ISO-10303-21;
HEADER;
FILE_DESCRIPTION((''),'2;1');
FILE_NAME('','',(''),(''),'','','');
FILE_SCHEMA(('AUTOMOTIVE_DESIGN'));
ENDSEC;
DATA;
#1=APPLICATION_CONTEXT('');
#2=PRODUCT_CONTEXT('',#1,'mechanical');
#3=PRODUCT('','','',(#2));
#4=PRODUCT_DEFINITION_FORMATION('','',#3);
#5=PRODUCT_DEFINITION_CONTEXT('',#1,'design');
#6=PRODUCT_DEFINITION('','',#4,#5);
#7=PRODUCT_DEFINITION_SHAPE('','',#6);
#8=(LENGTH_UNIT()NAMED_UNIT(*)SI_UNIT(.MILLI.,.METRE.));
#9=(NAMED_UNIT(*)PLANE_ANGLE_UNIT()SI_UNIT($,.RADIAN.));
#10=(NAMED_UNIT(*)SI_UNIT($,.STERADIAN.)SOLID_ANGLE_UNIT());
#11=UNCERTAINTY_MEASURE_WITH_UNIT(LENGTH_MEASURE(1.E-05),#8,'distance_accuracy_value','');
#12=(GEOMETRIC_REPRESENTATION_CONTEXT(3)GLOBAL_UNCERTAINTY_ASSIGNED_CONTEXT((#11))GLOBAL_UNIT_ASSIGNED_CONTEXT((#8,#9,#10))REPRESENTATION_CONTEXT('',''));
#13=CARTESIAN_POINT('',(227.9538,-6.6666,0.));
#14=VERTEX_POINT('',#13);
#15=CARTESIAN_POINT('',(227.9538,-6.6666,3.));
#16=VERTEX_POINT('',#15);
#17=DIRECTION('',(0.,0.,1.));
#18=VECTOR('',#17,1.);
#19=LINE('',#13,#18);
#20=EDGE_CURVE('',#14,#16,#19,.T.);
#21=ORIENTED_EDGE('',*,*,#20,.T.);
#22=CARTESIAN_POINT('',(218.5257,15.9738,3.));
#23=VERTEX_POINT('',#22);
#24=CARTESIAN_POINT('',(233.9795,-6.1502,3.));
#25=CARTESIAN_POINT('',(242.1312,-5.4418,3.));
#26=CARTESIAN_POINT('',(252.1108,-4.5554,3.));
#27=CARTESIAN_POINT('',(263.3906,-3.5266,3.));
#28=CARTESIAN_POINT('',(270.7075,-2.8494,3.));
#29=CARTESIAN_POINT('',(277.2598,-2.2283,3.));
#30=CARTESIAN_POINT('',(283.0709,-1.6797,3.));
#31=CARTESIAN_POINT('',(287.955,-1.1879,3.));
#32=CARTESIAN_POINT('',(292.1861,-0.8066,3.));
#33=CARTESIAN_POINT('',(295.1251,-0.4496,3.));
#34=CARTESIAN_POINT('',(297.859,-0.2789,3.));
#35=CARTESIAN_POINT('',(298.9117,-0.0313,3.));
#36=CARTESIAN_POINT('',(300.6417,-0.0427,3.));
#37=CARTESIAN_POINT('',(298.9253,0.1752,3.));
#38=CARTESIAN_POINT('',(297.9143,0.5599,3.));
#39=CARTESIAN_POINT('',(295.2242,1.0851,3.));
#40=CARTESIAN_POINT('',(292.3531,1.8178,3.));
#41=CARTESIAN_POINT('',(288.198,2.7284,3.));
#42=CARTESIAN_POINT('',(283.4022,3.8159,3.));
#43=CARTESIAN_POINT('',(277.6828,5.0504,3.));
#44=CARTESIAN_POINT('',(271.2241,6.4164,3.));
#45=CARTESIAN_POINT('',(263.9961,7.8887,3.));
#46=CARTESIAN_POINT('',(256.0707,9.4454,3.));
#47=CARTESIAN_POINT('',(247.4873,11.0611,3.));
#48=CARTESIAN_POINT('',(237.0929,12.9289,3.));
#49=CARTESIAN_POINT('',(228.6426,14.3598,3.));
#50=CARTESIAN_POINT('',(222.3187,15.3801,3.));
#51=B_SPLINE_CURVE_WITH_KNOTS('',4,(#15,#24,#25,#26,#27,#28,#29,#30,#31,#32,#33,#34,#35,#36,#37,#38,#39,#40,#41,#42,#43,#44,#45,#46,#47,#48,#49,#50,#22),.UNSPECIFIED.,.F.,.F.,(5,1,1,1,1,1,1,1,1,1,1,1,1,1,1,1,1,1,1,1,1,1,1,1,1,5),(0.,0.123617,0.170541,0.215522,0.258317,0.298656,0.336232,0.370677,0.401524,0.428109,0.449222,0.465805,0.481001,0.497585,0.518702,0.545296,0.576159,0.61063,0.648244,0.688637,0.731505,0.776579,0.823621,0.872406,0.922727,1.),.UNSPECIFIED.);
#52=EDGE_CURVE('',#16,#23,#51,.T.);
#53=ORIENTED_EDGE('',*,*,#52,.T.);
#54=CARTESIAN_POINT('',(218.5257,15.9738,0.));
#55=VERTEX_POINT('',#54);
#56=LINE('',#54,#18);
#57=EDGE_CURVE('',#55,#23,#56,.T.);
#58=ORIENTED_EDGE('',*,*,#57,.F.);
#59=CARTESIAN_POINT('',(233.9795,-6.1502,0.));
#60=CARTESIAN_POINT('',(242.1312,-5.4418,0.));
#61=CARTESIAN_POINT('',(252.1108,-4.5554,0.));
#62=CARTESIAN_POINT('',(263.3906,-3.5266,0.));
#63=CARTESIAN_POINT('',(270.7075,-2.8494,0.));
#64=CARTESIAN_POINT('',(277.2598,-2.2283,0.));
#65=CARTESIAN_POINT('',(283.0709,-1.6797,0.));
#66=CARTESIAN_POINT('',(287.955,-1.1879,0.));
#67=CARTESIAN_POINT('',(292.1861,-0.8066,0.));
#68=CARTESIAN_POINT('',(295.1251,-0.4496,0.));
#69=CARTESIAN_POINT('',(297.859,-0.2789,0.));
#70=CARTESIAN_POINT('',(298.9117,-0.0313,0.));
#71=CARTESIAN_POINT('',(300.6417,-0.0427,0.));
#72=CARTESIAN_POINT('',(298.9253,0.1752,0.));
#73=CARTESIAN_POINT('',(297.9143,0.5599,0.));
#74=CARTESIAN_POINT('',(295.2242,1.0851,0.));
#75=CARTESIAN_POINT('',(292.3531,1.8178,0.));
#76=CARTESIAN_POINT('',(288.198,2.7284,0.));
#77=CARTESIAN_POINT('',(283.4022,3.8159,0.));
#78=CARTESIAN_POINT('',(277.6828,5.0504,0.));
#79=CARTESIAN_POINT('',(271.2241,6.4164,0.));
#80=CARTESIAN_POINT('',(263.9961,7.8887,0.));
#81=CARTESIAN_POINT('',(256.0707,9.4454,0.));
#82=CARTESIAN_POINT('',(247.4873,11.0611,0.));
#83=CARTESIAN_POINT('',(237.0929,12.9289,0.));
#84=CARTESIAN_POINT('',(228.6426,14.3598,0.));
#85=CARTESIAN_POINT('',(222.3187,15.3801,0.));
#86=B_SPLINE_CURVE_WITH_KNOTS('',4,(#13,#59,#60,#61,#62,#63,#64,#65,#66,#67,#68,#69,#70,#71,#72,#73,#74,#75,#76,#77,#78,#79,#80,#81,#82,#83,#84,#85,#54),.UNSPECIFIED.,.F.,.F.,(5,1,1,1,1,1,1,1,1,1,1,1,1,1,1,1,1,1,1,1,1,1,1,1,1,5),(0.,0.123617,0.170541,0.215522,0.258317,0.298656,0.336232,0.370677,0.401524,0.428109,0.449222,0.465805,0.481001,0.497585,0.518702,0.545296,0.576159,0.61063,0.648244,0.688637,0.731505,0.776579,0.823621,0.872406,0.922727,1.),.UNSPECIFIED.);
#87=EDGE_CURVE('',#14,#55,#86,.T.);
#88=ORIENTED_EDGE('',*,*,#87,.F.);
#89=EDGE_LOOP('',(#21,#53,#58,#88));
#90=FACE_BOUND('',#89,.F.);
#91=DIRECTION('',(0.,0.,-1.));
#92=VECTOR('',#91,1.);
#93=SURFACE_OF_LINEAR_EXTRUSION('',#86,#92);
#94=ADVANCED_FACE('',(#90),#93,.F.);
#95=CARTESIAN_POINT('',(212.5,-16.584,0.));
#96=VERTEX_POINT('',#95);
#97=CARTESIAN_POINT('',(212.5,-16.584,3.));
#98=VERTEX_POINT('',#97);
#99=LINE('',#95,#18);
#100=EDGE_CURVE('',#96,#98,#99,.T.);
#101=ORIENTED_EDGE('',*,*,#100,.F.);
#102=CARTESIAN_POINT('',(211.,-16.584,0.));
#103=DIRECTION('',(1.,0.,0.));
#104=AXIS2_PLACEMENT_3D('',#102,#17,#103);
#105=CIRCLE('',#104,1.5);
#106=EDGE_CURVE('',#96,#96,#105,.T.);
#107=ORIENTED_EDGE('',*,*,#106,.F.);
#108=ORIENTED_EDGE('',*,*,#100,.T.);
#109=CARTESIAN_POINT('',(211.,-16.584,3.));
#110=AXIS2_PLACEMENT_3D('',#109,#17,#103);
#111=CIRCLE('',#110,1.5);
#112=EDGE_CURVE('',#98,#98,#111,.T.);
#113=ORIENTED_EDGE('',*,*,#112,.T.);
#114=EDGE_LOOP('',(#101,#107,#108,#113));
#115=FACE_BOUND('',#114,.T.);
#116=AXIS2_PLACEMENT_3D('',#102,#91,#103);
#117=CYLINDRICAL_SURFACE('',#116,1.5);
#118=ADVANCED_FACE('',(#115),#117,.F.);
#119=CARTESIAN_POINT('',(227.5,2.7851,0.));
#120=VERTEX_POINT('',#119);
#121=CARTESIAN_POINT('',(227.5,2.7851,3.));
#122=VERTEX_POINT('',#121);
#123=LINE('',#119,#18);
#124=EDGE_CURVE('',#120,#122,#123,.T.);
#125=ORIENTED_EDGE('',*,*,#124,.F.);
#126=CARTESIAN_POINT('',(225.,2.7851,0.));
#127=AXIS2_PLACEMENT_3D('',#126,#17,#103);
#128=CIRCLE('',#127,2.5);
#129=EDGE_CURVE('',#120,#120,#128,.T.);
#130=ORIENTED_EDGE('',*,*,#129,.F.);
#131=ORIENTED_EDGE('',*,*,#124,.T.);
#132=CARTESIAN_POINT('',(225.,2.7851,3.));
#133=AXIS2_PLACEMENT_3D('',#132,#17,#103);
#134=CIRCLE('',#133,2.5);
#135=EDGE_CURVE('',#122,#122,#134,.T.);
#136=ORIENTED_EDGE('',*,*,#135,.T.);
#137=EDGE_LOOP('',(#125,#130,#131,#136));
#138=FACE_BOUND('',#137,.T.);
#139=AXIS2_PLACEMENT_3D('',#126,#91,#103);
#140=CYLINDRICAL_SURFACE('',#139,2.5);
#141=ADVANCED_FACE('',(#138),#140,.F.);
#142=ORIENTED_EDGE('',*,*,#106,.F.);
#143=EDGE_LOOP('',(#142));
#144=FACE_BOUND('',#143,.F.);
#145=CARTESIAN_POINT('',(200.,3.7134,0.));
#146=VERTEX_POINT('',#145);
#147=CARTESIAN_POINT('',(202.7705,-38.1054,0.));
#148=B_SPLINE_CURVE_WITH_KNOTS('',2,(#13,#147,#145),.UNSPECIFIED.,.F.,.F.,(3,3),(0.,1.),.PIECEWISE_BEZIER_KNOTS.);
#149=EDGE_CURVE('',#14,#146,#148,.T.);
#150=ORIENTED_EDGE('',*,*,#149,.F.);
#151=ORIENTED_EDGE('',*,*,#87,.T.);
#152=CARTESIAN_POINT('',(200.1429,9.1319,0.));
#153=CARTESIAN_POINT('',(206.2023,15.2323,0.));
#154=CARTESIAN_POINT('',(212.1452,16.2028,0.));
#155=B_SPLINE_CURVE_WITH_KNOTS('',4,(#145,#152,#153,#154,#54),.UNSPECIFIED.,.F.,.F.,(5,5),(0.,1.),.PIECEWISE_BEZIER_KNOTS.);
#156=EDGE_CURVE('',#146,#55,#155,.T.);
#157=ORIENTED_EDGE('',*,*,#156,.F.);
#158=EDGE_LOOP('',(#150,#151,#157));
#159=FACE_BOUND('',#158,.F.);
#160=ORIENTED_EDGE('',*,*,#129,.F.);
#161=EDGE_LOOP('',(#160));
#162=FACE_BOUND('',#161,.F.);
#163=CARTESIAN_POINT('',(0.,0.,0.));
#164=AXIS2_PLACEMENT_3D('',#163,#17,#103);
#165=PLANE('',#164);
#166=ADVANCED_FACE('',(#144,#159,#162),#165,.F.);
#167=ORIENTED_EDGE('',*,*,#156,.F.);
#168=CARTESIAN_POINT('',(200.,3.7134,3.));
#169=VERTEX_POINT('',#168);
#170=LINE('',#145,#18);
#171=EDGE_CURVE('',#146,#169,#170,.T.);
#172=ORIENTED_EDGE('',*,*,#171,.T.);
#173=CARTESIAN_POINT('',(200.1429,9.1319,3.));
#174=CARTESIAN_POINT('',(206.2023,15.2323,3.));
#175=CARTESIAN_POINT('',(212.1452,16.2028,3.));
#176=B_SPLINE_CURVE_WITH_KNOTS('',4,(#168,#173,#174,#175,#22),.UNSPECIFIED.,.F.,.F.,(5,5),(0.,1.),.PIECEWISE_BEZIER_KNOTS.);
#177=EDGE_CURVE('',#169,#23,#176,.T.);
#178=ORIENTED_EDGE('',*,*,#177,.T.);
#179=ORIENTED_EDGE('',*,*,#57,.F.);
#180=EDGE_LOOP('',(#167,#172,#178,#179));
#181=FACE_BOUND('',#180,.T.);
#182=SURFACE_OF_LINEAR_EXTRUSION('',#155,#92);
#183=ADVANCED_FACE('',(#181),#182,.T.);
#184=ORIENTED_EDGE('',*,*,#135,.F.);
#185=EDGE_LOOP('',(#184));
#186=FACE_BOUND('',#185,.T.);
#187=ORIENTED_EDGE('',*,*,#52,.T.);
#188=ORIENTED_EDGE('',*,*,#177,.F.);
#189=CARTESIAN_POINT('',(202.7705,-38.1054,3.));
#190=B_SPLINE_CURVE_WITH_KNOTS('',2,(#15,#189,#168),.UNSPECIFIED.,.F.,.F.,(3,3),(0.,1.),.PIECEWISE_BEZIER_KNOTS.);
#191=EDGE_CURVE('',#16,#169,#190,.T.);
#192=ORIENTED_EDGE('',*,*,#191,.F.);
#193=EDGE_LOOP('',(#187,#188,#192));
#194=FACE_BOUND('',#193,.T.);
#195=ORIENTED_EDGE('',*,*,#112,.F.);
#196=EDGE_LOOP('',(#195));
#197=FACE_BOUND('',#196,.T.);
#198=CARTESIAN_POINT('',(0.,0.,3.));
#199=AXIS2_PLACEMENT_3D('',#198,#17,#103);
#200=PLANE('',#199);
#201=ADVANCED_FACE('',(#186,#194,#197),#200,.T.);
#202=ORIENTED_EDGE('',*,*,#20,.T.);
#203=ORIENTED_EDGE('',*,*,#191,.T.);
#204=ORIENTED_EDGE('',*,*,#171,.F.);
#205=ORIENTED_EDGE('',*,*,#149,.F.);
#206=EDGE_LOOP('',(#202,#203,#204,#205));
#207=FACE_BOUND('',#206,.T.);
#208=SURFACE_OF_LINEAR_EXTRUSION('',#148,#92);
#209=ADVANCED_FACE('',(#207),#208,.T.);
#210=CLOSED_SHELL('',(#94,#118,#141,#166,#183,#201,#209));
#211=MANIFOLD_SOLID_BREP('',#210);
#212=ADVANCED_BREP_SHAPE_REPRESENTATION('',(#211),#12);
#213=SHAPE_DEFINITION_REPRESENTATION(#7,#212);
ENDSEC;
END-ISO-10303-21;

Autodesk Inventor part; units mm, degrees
ref_plane "YZ Plane" through (0, 0, 0) normal (1, 0, 0) x (0, 1, 0)
ref_plane "XZ Plane" through (0, 0, 0) normal (0, 1, 0) x (-1, 0, 0)
ref_plane "XY Plane" through (0, 0, 0) normal (0, 0, 1) x (1, 0, 0)
sketch "Sketch1" plane through (0, 0, 0) normal (0, 0, 1) x (1, 0, 0)
  spline S0 degree 4 poles (227.9538, -6.6666) (233.9795, -6.1502) (242.1312, -5.4418) (252.1108, -4.5554) (263.3906, -3.5266) (270.7075, -2.8494) (277.2598, -2.2283) (283.0709, -1.6797) (287.955, -1.1879) (292.1861, -0.8066) (295.1251, -0.4496) (297.859, -0.2789) (298.9117, -0.0313) (300.6417, -0.0427) (298.9253, 0.1752) (297.9143, 0.5599) (295.2242, 1.0851) (292.3531, 1.8178) (288.198, 2.7284) (283.4022, 3.8159) (277.6828, 5.0504) (271.2241, 6.4164) (263.9961, 7.8887) (256.0707, 9.4454) (247.4873, 11.0611) (237.0929, 12.9289) (228.6426, 14.3598) (222.3187, 15.3801) (218.5257, 15.9738) knots 0 0 0 0 0 0.123617 0.170541 0.215522 0.258317 0.298656 0.336232 0.370677 0.401524 0.428109 0.449222 0.465805 0.481001 0.497585 0.518702 0.545296 0.576159 0.61063 0.648244 0.688637 0.731505 0.776579 0.823621 0.872406 0.922727 1 1 1 1 1
  line L0 (200, 103) -> (200, -97) construction
  line L1 (300, -103) -> (300, 103) construction
  line L2 (200, 3.7134) -> (300, 0) construction
  circle A0 centre (225, 2.7851) radius 2.5
  line L3 (230.0222, 14.1744) -> (207.0292, 17.7732) construction
  arc A1 (227.7164, 14.4946) -> (209.3226, 17.3735) centre (52.1769, -1046.8526) ccw construction
  spline S1 degree 4 poles (200, 3.7134) (200.1429, 9.1319) (206.2023, 15.2323) (212.1452, 16.2028) (218.5257, 15.9738) knots 0 0 0 0 0 1 1 1 1 1
  line L4 (212.7843, 16.1798) -> (224.2671, 15.7678) construction
  arc A2 (223.0893, 15.5881) -> (213.9461, 15.9162) centre (216.8298, -31.2827) ccw construction
  line L5 (199.8716, -1.156) -> (200.1284, 8.5828) construction
  arc A3 (200.9996, 7.0523) -> (200.8223, 0.3265) centre (206.6628, 3.5377) ccw construction
  spline S2 degree 2 poles (227.9538, -6.6666) (202.7705, -38.1054) (200, 3.7134) knots 0 0 0 1 1 1
  circle A4 centre (211, -16.584) radius 1.5
  line L6 (197, -35.9531) -> (225, 2.7851) construction
  point P0 (299.5428, 0.1089)
  point P1 (298.1739, 0.4338)
  point P2 (295.9008, 0.9681)
  point P3 (292.7367, 1.7025)
  point P4 (288.6996, 2.6229)
  point P5 (283.8129, 3.7134)
  point P6 (278.1048, 4.9545)
  point P7 (271.6086, 6.3255)
  point P8 (264.3621, 7.8039)
  point P9 (256.4085, 9.3663)
  point P10 (247.7946, 10.9887)
  point P11 (238.572, 12.6468)
  point P12 (228.7959, 14.3166)
  point P13 (207.8235, 17.5944)
  point P14 (247.0398, -5.0019)
  point P15 (255.7236, -4.2234)
  point P16 (263.7597, -3.4905)
  point P17 (271.0965, -2.8098)
  point P18 (277.6872, -2.1882)
  point P19 (283.4889, -1.6323)
  point P20 (288.4641, -1.1487)
  point P21 (292.5804, -0.7434)
  point P22 (295.8102, -0.4221)
  point P23 (298.1328, -0.1887)
  point P24 (299.5323, -0.0474)
  point P25 (208.6203, -19.8763)
  dimension "d17" = 100
  dimension "d22" = 5
  dimension "d23" = 75
  dimension "d36" = 3
sketch "Sketch3" plane through (0, 0, 0) normal (0, 0, 1) x (1, 0, 0)
  point P0 (0, 0)
sketch "Sketch4" plane through (0, 0, 0) normal (0, 0, 1) x (1, 0, 0)
  point P0 (0, 0)
sketch "Sketch5" plane through (0, 0, 0) normal (0, 0, 1) x (1, 0, 0)
  point P0 (0, 0)
sketch "Sketch6" plane through (0, 0, 0) normal (0, 0, 1) x (1, 0, 0)
  point P0 (0, 0)
sketch "Sketch7" plane through (0, 0, 0) normal (0, 0, 1) x (1, 0, 0)
  point P0 (0, 0)
sketch "Sketch8" plane through (0, 0, 0) normal (0, 0, 1) x (1, 0, 0)
  point P0 (0, 0)
extrude "Extrusion2" add sketch "Sketch1" along normal blind 3
properties part number "AIL middle connecting rib extension assembly" material "Plywood, Finish"
